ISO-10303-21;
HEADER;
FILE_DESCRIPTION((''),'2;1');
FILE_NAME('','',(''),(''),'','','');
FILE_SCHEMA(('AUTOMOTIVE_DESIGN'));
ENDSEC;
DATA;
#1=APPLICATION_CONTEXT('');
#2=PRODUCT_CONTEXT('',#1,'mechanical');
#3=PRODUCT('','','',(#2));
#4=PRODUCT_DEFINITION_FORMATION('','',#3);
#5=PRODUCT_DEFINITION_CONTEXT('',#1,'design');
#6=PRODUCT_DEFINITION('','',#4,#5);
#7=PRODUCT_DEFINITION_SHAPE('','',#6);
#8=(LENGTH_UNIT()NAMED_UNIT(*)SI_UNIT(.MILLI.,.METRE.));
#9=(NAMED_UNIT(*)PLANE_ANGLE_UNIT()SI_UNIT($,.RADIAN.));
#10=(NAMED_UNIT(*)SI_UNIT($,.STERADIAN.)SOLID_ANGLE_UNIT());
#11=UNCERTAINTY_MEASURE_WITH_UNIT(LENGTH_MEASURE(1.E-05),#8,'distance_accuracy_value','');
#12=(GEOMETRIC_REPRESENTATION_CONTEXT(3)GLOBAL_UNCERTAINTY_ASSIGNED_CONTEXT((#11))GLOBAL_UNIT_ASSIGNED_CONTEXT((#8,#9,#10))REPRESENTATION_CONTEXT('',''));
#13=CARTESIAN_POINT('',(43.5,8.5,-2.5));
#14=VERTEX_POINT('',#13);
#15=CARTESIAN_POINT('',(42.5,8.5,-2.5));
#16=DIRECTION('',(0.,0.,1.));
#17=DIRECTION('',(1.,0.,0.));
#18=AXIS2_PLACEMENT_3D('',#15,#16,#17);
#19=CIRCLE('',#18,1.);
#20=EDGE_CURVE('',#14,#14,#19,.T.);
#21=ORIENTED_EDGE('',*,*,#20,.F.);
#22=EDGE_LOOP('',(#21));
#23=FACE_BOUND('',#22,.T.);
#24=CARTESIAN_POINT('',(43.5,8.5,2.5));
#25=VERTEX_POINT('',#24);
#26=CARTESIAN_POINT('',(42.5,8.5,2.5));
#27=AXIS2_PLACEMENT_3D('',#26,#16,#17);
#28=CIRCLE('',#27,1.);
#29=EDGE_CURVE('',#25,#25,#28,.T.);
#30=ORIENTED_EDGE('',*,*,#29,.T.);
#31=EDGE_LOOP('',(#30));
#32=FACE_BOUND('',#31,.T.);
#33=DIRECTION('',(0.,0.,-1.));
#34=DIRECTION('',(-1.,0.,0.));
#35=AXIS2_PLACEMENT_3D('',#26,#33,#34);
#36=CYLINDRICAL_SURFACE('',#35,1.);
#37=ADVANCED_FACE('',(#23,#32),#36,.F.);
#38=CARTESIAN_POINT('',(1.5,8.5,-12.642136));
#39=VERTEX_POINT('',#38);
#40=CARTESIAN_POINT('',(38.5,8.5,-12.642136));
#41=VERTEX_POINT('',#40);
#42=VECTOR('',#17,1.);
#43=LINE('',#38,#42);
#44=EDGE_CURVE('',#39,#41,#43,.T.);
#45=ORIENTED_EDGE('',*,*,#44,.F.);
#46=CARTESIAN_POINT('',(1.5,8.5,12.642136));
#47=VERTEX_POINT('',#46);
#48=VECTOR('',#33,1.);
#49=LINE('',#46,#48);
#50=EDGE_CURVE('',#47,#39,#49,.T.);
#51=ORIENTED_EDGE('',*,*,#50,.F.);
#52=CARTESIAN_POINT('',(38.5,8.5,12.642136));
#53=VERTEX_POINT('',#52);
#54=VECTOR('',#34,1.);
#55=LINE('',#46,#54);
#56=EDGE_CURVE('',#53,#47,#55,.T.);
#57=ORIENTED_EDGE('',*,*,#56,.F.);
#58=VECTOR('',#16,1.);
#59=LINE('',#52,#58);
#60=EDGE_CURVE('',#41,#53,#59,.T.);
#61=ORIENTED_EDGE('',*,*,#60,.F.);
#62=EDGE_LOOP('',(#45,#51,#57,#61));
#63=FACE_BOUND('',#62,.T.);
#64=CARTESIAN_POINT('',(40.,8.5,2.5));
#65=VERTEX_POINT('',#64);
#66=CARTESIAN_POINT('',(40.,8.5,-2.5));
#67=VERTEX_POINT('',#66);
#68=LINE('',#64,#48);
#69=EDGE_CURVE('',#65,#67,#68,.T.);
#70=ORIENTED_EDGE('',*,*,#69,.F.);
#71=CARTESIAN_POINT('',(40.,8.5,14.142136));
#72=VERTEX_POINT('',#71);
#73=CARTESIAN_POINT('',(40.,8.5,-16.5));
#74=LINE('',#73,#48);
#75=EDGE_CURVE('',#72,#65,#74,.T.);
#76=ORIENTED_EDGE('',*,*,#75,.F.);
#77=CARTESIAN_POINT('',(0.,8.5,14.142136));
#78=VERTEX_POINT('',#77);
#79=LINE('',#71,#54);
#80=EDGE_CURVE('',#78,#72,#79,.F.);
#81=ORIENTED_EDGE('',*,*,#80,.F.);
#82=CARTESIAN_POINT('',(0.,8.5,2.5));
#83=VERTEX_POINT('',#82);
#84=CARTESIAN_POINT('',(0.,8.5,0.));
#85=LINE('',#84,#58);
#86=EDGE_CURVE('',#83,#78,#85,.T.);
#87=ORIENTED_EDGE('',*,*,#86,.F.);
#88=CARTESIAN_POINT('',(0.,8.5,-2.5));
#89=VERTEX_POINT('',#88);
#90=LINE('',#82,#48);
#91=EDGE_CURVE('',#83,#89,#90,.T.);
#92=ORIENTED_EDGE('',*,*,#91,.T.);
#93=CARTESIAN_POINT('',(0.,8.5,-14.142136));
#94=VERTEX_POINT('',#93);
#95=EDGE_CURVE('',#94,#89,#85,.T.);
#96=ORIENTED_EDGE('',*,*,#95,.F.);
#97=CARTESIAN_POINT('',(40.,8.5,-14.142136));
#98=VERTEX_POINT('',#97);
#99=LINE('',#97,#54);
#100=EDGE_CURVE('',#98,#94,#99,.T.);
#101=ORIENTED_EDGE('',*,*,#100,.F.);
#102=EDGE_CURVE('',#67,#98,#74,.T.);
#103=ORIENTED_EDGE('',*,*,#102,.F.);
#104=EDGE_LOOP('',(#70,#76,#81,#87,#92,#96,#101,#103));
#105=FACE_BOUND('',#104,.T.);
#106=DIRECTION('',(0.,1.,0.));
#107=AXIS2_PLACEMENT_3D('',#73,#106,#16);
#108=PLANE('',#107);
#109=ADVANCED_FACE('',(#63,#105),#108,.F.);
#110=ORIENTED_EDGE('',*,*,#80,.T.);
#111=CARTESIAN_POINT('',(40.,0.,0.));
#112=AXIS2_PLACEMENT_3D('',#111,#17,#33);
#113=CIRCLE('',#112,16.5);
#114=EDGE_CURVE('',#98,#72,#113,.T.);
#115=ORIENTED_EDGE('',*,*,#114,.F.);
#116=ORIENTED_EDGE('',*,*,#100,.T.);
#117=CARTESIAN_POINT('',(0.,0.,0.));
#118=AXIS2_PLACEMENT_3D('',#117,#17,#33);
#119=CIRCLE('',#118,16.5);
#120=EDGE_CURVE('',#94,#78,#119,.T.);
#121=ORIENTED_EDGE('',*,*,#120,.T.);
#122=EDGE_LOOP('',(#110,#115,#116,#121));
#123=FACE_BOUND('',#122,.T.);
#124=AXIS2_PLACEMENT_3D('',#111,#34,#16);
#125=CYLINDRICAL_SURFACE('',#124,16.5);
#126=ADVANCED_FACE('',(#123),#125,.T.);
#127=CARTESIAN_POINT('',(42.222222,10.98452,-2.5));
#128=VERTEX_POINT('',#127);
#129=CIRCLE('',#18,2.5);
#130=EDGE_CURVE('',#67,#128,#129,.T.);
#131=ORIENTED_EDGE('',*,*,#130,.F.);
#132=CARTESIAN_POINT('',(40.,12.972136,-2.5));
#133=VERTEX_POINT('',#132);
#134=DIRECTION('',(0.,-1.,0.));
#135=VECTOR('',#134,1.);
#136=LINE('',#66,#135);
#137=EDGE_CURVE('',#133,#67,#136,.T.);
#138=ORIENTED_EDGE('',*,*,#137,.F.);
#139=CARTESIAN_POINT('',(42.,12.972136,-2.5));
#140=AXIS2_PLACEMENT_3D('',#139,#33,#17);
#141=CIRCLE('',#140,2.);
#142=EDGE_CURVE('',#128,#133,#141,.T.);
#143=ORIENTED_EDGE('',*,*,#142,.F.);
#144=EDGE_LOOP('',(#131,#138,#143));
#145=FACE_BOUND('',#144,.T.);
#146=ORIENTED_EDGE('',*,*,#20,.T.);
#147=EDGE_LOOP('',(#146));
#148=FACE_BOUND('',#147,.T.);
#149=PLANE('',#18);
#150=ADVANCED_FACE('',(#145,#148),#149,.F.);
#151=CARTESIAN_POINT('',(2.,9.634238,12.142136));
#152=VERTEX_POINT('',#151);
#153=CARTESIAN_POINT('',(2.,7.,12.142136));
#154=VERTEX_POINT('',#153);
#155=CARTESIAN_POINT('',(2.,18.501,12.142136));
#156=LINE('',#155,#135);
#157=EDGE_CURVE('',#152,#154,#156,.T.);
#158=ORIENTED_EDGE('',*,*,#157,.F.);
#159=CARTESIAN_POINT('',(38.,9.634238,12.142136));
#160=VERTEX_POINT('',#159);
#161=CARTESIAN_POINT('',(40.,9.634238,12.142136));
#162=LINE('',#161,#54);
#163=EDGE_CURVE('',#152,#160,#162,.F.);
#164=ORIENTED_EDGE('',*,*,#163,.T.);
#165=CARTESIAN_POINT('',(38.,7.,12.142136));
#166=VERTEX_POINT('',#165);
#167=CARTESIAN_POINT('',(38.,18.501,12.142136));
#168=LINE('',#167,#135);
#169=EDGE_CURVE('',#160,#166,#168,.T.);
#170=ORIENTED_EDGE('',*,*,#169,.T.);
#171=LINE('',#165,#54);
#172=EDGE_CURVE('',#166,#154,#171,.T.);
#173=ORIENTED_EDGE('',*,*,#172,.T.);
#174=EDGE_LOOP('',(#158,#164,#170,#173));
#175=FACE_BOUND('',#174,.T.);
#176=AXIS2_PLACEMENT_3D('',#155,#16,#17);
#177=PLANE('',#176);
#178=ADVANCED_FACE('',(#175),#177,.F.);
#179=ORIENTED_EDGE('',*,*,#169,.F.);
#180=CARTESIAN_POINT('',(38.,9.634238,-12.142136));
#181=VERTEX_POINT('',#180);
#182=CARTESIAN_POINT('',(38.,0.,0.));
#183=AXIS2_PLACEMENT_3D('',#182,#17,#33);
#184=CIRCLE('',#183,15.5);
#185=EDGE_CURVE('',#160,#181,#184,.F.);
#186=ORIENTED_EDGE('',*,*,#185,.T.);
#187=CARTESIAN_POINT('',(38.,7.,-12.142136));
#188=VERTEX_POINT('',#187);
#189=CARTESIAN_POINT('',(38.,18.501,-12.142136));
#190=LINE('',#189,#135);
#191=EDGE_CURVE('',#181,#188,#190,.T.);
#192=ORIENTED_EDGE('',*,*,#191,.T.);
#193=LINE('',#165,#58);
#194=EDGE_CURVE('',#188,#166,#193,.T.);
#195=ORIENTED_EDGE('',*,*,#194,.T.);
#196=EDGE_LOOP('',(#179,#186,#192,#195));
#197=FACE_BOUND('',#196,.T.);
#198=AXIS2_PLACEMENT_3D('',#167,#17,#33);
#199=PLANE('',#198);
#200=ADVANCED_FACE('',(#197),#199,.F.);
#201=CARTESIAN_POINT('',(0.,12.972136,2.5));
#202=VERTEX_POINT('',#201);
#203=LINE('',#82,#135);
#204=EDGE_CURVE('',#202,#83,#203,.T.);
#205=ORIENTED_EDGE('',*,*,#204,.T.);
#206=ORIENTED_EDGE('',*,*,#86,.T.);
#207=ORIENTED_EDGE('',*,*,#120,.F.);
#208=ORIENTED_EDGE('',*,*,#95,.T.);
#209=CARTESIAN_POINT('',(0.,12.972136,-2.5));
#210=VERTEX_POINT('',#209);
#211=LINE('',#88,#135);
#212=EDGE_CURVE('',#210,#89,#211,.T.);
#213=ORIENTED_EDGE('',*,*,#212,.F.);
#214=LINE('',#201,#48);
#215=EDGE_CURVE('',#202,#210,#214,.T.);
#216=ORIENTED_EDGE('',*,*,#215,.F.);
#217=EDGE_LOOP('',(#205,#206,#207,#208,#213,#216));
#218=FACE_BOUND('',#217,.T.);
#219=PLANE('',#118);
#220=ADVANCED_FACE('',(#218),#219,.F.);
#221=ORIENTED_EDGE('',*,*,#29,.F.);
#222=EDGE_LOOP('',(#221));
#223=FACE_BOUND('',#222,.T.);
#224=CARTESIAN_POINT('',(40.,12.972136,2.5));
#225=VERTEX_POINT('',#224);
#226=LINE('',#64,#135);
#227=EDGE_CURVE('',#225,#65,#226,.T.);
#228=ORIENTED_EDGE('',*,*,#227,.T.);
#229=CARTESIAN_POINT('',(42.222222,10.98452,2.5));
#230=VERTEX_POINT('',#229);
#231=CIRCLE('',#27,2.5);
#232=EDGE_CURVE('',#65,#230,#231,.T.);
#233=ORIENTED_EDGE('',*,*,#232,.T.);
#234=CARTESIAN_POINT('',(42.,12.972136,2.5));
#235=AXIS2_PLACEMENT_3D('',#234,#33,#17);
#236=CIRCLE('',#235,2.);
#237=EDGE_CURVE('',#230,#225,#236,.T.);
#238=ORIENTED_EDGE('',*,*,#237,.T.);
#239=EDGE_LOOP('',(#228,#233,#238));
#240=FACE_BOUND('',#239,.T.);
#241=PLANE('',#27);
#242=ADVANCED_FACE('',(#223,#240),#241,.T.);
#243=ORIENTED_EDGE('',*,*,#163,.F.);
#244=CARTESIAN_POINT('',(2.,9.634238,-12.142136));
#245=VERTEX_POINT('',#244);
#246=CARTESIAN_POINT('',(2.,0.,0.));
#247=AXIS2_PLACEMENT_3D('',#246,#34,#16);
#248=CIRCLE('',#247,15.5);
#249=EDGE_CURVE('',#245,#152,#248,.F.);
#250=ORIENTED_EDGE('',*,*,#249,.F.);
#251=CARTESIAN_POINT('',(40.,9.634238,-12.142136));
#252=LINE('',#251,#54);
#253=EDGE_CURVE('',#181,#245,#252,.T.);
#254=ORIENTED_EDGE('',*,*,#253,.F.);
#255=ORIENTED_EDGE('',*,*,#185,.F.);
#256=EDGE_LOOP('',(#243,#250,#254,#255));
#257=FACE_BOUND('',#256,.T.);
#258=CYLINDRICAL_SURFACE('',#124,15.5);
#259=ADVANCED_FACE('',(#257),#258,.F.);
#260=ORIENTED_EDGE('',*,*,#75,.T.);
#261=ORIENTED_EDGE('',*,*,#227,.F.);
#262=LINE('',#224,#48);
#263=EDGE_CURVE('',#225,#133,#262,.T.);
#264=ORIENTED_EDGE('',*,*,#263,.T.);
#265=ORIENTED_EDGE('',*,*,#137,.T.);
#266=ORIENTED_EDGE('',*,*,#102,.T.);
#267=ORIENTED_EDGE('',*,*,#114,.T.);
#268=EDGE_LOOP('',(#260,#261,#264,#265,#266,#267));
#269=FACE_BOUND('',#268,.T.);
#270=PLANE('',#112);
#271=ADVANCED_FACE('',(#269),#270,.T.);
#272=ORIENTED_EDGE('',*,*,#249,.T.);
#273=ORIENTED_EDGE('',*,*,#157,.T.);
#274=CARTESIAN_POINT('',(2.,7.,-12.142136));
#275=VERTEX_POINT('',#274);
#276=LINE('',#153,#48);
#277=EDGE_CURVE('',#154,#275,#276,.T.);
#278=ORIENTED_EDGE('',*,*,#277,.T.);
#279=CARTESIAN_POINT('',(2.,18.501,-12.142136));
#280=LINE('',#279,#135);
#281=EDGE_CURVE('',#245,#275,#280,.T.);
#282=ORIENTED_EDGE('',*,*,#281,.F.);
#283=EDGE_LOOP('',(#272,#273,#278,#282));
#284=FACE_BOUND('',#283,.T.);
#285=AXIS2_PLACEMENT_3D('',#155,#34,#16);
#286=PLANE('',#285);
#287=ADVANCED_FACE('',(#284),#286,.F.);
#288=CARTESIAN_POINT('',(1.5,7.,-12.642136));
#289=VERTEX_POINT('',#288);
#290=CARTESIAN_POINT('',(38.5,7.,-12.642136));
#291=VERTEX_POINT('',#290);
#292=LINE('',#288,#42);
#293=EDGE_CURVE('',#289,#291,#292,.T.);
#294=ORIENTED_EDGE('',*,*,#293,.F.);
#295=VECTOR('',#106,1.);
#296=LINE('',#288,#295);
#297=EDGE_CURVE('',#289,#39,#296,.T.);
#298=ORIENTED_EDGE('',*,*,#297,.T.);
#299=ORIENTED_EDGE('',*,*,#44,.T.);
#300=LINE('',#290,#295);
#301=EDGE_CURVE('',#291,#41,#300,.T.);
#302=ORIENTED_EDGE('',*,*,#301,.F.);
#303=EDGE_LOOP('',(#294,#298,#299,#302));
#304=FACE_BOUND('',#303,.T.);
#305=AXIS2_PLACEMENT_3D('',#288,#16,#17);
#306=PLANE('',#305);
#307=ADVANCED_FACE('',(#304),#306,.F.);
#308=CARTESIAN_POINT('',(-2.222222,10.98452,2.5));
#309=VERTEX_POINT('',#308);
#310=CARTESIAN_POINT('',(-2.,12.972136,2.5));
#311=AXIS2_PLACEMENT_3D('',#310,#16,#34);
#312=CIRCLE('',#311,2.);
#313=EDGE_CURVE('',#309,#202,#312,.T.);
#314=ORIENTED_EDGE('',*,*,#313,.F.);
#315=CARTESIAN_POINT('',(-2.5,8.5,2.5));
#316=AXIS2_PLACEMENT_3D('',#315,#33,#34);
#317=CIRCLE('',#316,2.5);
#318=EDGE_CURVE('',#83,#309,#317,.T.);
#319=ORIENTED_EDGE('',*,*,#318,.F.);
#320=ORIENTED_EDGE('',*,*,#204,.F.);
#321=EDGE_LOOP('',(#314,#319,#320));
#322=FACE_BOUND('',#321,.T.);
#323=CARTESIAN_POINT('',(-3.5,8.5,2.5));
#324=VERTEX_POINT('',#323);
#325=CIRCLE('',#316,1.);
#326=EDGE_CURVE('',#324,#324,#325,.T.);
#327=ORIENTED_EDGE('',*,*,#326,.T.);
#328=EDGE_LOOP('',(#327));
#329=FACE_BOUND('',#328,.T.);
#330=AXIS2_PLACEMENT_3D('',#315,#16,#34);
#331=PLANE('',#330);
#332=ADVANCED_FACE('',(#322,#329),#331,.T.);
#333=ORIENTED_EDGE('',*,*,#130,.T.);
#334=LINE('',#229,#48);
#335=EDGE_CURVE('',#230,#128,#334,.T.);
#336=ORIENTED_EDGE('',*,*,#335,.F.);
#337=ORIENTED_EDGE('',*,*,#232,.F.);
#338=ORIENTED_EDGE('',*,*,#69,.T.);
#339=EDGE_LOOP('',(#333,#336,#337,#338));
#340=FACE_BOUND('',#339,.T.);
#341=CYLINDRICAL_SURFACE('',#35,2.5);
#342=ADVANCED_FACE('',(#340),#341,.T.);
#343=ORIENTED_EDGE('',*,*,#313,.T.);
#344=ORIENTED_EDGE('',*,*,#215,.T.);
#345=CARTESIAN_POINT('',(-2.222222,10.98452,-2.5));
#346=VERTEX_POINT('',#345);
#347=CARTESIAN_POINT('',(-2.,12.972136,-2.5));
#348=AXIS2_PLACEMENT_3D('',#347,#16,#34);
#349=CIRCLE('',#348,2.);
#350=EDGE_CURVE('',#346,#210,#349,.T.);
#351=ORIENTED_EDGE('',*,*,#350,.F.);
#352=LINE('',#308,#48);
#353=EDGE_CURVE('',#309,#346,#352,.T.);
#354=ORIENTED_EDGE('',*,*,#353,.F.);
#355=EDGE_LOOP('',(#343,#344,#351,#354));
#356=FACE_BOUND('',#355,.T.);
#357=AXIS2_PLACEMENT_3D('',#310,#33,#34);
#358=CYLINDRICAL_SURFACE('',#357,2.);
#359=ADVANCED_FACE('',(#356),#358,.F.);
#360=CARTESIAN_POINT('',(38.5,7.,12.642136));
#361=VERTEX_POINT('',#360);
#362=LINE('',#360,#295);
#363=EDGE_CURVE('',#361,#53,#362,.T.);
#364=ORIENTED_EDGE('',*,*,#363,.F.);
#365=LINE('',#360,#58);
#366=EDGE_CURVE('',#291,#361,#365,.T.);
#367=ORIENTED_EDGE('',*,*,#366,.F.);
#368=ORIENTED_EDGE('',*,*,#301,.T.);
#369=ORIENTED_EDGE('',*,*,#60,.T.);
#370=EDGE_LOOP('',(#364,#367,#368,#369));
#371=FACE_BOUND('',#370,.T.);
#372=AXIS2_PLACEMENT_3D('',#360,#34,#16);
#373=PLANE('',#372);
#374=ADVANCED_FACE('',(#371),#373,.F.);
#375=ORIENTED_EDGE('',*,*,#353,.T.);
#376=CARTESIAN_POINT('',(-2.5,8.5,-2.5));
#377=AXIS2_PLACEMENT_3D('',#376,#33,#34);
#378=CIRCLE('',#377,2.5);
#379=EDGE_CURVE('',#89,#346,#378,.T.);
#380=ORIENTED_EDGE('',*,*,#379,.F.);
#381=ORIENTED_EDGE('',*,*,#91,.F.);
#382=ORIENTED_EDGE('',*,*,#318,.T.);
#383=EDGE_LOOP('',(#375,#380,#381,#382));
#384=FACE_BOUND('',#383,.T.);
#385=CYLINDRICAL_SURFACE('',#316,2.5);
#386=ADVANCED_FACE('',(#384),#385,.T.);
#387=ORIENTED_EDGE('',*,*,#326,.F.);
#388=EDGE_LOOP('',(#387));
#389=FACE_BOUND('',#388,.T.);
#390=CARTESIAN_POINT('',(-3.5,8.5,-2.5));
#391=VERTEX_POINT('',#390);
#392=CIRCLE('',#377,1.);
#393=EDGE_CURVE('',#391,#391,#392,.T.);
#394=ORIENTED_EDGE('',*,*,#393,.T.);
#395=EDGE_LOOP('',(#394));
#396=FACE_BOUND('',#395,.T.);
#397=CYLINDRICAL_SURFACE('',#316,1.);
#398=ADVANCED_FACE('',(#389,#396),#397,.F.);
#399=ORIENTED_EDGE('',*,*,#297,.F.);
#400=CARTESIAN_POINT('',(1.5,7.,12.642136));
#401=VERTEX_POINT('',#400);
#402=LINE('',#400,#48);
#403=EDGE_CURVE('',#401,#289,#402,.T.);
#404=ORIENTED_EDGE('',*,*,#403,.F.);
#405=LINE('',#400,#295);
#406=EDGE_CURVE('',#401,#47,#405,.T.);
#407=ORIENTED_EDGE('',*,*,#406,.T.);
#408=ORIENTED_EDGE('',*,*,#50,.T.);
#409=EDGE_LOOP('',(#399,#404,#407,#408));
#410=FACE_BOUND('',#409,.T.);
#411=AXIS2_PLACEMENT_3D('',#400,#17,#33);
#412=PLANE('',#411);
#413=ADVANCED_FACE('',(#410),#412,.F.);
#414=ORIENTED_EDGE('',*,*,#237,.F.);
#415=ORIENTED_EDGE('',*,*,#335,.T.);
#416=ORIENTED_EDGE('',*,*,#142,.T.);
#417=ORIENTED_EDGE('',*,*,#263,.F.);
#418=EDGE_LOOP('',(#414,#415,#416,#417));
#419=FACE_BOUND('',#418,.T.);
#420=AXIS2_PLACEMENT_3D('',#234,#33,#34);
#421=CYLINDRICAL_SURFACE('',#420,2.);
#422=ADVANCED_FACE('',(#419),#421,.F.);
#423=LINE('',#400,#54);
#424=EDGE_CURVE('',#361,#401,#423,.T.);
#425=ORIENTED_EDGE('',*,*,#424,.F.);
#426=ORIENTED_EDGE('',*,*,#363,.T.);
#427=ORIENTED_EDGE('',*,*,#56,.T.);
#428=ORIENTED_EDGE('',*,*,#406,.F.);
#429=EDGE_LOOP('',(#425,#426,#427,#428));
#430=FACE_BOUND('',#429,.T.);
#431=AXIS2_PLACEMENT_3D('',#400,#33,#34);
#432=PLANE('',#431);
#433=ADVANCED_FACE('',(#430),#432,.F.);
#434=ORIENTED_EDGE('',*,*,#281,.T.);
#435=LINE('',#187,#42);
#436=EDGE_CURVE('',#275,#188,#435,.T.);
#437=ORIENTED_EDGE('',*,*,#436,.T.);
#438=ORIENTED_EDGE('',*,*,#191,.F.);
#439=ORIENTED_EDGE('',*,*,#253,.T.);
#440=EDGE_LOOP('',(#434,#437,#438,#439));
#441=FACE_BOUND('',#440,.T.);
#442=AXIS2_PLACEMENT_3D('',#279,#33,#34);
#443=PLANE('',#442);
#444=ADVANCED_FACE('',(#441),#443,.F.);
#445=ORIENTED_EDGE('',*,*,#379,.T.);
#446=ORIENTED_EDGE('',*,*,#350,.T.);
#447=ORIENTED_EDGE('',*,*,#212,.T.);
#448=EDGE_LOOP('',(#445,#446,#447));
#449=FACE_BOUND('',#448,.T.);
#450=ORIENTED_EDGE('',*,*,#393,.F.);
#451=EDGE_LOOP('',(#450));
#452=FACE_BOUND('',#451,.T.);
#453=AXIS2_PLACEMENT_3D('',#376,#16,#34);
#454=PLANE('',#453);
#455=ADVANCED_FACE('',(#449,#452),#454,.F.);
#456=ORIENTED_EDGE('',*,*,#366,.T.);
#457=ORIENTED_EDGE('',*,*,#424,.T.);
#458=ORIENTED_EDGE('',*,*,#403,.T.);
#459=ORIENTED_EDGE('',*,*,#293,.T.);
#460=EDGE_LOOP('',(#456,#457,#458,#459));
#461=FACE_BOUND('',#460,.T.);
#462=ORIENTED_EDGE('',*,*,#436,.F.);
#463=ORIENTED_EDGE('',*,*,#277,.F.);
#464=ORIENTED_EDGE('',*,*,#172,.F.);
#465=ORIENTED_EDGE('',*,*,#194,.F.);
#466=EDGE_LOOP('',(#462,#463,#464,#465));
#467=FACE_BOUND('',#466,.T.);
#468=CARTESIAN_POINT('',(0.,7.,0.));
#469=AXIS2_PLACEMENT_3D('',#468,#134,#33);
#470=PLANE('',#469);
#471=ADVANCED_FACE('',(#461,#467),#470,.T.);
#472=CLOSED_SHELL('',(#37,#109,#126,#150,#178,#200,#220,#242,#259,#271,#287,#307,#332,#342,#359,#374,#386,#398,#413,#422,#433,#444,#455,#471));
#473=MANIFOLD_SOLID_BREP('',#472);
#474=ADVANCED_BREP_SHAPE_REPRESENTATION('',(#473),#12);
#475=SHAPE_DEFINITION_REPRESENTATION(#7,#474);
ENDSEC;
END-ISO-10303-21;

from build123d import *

# Parameters (mm, degrees)
SKETCH2_R               = 16.5
BOSS_EXTRUDE1_DEPTH     = 40
SKETCH3_W               = 33
SKETCH3_H               = 25
CUT_EXTRUDE1_DEPTH      = 40
CUT_EXTRUDE2_REACH      = 45.174
CUT_EXTRUDE2_END_RADIUS = 15.5
SKETCH4_W               = 36
SKETCH4_H               = 24.284271248
SKETCH5_W               = 37
SKETCH5_H               = 25.284271248
SKETCH5_W_2             = 36
SKETCH5_H_2             = 24.284271248
BOSS_EXTRUDE2_DEPTH     = 1.5
SKETCH7_R               = 1
BOSS_EXTRUDE3_DEPTH     = 2.5


with BuildPart() as part:
    # Sketch2 → Boss-Extrude1 (new body)
    with BuildSketch(Plane(origin=(0, 0, 0), x_dir=(0, 0, -1), z_dir=(1, 0, 0))):
        Circle(SKETCH2_R)
    extrude(amount=BOSS_EXTRUDE1_DEPTH)

    # Sketch3 → Cut-Extrude1 (cut)
    with BuildSketch(Plane.ZY):
        with Locations((0, -4)):
            Rectangle(SKETCH3_W, SKETCH3_H)
    extrude(amount=-CUT_EXTRUDE1_DEPTH, mode=Mode.SUBTRACT)

    # Cut-Extrude2: up to this cylinder (the profile starts inside it)
    cut_extrude2_end = Plane(origin=(20, 0, 0), z_dir=(-1, 0, 0)) * Cylinder(CUT_EXTRUDE2_END_RADIUS, 122.348, mode=Mode.PRIVATE)
    # Sketch4 → Cut-Extrude2 (cut, up to the surface)
    with BuildSketch(Plane.XZ.offset(-8.5), mode=Mode.PRIVATE) as cut_extrude2_sk1:
        with Locations((20, 0)):
            Rectangle(SKETCH4_W, SKETCH4_H)
    cut_extrude2_tool1 = extrude(cut_extrude2_sk1.sketch, amount=-CUT_EXTRUDE2_REACH, mode=Mode.PRIVATE) & cut_extrude2_end
    add(cut_extrude2_tool1.solids().sort_by_distance((20, 8.5, 0))[0], mode=Mode.SUBTRACT)

    # Sketch5 → Boss-Extrude2 (add)
    with BuildSketch(Plane.XZ.offset(-8.5)):
        with Locations((20, 0)):
            Rectangle(SKETCH5_W, SKETCH5_H)
        with Locations((20, 0)):
            Rectangle(SKETCH5_W_2, SKETCH5_H_2, mode=Mode.SUBTRACT)
    extrude(amount=BOSS_EXTRUDE2_DEPTH)

    # Sketch7 → Boss-Extrude3 (add, symmetric)
    with BuildSketch(Plane.XY):
        with BuildLine():
            Line((40, 8.5), (40, 12.972135955))
            ThreePointArc((40, 12.972135955), (40.666666667, 11.48142397), (42.222222222, 10.984519975))
            ThreePointArc((42.222222222, 10.984519975), (44.363389981, 6.833333333), (40, 8.5))
        make_face()
        with Locations((42.5, 8.5)):
            Circle(SKETCH7_R, mode=Mode.SUBTRACT)
    boss_extrude3 = extrude(amount=BOSS_EXTRUDE3_DEPTH, both=True)

    # Mirror2: Boss-Extrude3 across plane
    add(boss_extrude3.mirror(Plane(origin=(20, 0, 0), x_dir=(0, 0, 1), z_dir=(1, 0, 0))))


solid = part.part
